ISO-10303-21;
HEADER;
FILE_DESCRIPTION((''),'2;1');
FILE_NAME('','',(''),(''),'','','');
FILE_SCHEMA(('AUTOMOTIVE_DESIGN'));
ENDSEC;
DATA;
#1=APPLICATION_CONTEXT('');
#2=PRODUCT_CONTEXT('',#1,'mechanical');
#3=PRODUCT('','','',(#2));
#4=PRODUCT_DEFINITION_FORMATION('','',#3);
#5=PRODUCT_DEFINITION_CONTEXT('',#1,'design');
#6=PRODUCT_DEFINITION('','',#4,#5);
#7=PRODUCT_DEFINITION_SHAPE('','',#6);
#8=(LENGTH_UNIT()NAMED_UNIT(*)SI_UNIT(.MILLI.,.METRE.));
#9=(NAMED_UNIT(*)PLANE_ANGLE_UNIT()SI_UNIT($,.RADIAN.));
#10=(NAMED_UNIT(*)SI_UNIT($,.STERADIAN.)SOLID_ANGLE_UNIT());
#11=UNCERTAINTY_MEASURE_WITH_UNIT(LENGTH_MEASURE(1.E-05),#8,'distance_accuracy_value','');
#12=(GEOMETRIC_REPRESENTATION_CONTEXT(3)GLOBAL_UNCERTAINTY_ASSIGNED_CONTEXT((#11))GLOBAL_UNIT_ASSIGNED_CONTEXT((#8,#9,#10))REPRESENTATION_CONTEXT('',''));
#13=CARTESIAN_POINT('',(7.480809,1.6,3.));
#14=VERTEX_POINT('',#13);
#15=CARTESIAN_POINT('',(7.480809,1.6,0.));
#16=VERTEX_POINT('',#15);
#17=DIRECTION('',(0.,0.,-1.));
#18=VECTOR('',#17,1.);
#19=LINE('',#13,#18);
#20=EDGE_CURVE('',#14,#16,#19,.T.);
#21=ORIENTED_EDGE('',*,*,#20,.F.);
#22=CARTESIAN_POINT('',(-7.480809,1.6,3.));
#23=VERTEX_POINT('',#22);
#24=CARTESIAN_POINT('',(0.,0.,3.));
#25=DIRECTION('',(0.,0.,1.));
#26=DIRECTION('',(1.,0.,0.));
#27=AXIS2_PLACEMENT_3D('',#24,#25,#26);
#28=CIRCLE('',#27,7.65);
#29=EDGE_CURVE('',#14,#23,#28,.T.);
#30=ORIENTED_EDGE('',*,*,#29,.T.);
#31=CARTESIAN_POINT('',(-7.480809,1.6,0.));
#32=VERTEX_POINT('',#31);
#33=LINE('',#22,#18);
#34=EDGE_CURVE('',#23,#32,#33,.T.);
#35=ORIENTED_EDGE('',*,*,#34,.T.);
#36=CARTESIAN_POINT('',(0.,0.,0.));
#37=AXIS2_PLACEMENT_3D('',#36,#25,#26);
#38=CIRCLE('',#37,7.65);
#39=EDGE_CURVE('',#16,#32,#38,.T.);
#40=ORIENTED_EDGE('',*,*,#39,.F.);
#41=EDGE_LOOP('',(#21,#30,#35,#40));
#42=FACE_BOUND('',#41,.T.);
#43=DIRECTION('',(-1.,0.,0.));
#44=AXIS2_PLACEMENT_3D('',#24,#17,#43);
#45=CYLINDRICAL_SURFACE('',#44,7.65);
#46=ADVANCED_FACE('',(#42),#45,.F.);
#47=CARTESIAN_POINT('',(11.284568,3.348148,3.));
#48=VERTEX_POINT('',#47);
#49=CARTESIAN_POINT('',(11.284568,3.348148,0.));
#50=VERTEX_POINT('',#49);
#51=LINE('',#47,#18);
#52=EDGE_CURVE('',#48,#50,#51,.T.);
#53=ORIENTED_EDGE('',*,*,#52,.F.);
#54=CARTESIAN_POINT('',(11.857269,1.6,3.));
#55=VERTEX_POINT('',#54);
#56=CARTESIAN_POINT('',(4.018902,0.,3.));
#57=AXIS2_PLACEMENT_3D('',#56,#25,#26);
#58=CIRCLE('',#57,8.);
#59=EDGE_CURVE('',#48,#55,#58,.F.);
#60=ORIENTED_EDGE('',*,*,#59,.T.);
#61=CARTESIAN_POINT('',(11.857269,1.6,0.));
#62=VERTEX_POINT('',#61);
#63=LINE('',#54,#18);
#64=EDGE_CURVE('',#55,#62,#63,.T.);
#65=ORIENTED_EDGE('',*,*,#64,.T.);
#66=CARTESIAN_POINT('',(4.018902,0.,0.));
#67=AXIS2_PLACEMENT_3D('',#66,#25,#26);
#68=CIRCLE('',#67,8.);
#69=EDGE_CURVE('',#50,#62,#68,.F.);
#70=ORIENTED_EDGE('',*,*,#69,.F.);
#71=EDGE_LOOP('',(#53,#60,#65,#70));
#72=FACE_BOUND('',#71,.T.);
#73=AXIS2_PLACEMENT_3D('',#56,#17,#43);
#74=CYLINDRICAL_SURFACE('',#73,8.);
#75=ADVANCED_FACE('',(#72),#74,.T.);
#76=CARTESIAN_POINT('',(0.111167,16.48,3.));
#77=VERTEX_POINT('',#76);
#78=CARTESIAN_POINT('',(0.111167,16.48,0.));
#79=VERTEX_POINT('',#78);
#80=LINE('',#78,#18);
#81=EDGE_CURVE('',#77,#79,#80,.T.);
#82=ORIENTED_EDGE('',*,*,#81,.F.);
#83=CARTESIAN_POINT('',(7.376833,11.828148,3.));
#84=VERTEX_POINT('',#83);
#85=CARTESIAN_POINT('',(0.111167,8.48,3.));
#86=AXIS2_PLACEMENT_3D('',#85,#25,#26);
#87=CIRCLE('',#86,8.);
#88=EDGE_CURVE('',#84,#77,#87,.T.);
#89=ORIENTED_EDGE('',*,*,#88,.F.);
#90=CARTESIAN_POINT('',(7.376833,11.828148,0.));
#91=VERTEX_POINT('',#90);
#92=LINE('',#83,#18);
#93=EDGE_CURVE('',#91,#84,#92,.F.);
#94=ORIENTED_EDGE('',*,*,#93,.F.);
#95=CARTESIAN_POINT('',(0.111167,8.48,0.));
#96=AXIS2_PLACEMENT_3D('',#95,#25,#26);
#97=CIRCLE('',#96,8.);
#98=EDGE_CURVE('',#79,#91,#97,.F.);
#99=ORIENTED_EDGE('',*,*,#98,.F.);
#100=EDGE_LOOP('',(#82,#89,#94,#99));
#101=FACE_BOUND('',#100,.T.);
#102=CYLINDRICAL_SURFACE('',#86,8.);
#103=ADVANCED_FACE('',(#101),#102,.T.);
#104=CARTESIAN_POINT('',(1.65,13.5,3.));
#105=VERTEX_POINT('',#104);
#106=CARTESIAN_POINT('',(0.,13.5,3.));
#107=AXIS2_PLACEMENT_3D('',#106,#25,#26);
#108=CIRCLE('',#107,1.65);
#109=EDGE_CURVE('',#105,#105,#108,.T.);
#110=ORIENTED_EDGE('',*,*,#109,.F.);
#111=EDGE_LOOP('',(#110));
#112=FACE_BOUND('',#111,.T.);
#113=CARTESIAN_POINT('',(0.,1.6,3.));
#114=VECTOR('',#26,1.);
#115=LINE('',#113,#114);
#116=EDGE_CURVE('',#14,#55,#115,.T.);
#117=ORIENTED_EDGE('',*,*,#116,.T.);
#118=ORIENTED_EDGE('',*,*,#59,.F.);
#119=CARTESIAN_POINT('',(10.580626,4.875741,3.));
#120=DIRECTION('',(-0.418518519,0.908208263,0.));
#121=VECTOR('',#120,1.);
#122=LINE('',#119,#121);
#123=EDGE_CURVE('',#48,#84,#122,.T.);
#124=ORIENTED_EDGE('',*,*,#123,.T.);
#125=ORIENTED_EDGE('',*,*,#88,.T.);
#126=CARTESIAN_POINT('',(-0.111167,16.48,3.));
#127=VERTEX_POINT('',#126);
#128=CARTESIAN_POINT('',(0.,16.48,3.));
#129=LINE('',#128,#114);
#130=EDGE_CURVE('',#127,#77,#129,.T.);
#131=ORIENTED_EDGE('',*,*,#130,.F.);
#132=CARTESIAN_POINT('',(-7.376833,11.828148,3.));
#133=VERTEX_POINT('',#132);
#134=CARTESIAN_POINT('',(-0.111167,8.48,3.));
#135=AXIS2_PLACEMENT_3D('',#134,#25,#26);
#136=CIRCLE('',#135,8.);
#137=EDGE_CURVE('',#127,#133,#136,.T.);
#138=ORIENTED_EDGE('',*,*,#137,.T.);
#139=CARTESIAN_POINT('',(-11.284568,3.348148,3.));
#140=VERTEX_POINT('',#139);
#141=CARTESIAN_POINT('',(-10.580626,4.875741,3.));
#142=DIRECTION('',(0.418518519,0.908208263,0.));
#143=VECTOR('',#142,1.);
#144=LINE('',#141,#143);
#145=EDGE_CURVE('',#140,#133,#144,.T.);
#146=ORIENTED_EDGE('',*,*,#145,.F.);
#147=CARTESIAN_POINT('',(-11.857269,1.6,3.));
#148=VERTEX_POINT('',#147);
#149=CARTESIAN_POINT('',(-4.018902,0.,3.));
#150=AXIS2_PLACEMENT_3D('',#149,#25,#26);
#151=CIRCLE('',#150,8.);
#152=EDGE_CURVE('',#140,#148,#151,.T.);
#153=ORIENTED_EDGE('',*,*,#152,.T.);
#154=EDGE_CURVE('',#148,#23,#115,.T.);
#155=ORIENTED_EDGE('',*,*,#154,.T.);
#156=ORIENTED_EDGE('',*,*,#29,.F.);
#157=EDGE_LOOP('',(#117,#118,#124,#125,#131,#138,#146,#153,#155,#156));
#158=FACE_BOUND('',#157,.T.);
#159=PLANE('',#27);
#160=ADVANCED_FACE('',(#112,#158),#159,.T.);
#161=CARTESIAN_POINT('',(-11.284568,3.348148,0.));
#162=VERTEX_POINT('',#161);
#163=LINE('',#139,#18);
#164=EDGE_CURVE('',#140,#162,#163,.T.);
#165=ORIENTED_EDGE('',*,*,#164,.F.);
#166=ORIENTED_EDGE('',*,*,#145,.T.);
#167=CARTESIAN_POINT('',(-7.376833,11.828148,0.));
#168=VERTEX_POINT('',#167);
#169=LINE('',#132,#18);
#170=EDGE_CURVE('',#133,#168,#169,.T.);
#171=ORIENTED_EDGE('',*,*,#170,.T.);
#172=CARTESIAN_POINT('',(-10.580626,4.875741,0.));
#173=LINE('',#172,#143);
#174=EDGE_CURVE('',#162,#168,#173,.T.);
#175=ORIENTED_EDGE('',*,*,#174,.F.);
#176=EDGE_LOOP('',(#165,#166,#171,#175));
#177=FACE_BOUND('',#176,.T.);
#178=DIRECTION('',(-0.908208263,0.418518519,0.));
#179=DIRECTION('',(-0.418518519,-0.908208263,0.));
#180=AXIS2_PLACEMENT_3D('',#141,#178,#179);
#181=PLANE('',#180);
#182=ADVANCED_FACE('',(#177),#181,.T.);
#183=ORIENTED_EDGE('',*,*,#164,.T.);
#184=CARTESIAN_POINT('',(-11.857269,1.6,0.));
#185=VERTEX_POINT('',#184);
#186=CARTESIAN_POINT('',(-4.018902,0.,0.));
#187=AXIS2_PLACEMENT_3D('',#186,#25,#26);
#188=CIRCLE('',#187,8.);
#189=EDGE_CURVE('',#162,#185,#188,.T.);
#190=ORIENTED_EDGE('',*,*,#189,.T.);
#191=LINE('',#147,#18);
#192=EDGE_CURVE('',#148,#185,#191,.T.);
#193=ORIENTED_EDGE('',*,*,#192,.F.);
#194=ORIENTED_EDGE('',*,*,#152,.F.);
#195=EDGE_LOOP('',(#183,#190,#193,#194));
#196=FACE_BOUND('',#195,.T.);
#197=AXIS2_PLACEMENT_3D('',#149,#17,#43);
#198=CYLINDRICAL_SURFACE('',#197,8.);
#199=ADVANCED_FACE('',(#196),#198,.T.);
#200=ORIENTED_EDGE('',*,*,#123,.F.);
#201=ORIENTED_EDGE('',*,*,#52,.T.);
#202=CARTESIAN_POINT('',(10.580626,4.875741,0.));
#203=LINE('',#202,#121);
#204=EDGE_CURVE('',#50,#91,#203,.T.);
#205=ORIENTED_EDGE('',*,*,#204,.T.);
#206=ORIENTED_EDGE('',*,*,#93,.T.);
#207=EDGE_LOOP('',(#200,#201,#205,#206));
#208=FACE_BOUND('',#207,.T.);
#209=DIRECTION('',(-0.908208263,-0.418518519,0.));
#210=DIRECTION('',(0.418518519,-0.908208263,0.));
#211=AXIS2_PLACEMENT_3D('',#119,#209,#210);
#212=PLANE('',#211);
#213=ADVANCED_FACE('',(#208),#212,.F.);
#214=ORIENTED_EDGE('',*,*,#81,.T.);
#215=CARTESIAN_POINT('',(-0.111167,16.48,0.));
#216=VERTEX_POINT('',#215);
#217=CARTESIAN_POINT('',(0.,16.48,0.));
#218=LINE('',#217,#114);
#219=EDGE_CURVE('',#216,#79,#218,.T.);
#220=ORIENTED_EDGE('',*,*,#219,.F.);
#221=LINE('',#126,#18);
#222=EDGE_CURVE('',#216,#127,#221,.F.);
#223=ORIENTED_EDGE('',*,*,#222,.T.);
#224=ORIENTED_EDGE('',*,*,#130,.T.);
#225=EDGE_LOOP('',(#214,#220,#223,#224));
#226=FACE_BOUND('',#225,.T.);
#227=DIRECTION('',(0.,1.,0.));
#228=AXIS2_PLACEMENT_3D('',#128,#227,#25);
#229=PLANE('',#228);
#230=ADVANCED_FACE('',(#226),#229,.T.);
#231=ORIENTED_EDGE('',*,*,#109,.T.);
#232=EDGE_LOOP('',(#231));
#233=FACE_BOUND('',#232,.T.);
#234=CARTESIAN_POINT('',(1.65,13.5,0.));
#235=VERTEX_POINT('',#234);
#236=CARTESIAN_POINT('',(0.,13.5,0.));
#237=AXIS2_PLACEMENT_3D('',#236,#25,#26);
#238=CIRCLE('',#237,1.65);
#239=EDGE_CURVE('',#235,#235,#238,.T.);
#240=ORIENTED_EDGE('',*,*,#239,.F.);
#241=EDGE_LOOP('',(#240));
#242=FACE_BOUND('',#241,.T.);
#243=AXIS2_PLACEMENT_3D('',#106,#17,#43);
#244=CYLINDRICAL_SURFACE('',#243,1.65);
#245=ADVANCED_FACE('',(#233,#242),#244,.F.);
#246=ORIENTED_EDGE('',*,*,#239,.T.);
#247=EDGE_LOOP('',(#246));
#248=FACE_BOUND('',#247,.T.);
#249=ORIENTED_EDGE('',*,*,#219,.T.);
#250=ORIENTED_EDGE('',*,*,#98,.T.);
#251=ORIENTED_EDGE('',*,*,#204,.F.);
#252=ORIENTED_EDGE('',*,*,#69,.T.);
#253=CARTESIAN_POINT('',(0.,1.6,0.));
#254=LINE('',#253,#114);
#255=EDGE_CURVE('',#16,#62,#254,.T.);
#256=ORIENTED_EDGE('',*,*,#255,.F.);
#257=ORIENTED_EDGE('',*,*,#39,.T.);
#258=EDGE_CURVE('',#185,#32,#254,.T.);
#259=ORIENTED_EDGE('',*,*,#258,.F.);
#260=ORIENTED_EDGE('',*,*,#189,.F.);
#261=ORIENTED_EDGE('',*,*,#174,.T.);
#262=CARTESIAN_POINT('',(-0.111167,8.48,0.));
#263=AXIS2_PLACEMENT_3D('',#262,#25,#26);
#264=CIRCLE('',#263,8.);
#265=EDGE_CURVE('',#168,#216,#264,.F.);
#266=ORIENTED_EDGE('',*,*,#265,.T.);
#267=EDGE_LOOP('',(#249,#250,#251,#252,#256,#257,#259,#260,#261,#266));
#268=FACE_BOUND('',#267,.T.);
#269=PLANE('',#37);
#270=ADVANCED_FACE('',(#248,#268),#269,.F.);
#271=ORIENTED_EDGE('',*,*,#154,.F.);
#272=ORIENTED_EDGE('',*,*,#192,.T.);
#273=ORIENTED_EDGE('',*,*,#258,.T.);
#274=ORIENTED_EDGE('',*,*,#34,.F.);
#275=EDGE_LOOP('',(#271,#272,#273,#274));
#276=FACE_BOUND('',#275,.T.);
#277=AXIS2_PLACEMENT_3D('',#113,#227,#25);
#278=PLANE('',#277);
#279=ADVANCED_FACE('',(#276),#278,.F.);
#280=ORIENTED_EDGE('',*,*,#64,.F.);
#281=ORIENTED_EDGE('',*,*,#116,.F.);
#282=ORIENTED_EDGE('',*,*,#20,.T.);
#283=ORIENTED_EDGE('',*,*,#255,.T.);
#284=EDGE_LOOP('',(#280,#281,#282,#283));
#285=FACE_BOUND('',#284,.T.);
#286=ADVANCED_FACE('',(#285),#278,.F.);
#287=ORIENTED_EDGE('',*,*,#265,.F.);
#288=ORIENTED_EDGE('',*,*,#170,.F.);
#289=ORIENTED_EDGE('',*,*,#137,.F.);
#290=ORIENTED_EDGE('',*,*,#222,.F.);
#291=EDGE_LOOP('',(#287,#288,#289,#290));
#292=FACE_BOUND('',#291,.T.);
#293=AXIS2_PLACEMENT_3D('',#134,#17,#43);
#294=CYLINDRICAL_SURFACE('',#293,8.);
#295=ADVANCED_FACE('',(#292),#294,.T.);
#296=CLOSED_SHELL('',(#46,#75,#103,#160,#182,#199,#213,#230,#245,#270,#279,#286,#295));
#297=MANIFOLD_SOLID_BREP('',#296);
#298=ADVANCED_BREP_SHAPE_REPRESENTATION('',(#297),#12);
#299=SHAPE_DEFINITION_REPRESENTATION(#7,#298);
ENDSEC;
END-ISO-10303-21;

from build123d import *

# Parameters (mm, degrees)
ESBO_O1_R                = 1.65
RESSALTO_EXTRUS_O1_DEPTH = 3
FILETE1_R                = 8


with BuildPart() as part:
    # Esboço1 → Ressalto-extrusão1 (new body)
    with BuildSketch(Plane.XY):
        with BuildLine():
            Line((-5.233177242, 16.48), (-11.2845681, 3.348148148))
            ThreePointArc((-11.2845681, 3.348148148), (-11.621333239, 2.490590121), (-11.85726917, 1.6))
            Line((-11.85726917, 1.6), (-7.48080878, 1.6))
            ThreePointArc((-7.48080878, 1.6), (0, 7.65), (7.48080878, 1.6))
            Line((7.48080878, 1.6), (11.85726917, 1.6))
            ThreePointArc((11.85726917, 1.6), (11.621333239, 2.490590121), (11.2845681, 3.348148148))
            Line((11.2845681, 3.348148148), (5.233177242, 16.48))
            Line((5.233177242, 16.48), (-5.233177242, 16.48))
        make_face()
        with Locations((0, 13.5)):
            Circle(ESBO_O1_R, mode=Mode.SUBTRACT)
    extrude(amount=RESSALTO_EXTRUS_O1_DEPTH)

    # Filete1
    filete1_edges = [part.edges().sort_by_distance(p)[0] for p in [
        (-5.233177242, 16.48, 1.5),
        (5.233177242, 16.48, 1.5),
    ]]
    fillet(filete1_edges, radius=FILETE1_R)


solid = part.part
